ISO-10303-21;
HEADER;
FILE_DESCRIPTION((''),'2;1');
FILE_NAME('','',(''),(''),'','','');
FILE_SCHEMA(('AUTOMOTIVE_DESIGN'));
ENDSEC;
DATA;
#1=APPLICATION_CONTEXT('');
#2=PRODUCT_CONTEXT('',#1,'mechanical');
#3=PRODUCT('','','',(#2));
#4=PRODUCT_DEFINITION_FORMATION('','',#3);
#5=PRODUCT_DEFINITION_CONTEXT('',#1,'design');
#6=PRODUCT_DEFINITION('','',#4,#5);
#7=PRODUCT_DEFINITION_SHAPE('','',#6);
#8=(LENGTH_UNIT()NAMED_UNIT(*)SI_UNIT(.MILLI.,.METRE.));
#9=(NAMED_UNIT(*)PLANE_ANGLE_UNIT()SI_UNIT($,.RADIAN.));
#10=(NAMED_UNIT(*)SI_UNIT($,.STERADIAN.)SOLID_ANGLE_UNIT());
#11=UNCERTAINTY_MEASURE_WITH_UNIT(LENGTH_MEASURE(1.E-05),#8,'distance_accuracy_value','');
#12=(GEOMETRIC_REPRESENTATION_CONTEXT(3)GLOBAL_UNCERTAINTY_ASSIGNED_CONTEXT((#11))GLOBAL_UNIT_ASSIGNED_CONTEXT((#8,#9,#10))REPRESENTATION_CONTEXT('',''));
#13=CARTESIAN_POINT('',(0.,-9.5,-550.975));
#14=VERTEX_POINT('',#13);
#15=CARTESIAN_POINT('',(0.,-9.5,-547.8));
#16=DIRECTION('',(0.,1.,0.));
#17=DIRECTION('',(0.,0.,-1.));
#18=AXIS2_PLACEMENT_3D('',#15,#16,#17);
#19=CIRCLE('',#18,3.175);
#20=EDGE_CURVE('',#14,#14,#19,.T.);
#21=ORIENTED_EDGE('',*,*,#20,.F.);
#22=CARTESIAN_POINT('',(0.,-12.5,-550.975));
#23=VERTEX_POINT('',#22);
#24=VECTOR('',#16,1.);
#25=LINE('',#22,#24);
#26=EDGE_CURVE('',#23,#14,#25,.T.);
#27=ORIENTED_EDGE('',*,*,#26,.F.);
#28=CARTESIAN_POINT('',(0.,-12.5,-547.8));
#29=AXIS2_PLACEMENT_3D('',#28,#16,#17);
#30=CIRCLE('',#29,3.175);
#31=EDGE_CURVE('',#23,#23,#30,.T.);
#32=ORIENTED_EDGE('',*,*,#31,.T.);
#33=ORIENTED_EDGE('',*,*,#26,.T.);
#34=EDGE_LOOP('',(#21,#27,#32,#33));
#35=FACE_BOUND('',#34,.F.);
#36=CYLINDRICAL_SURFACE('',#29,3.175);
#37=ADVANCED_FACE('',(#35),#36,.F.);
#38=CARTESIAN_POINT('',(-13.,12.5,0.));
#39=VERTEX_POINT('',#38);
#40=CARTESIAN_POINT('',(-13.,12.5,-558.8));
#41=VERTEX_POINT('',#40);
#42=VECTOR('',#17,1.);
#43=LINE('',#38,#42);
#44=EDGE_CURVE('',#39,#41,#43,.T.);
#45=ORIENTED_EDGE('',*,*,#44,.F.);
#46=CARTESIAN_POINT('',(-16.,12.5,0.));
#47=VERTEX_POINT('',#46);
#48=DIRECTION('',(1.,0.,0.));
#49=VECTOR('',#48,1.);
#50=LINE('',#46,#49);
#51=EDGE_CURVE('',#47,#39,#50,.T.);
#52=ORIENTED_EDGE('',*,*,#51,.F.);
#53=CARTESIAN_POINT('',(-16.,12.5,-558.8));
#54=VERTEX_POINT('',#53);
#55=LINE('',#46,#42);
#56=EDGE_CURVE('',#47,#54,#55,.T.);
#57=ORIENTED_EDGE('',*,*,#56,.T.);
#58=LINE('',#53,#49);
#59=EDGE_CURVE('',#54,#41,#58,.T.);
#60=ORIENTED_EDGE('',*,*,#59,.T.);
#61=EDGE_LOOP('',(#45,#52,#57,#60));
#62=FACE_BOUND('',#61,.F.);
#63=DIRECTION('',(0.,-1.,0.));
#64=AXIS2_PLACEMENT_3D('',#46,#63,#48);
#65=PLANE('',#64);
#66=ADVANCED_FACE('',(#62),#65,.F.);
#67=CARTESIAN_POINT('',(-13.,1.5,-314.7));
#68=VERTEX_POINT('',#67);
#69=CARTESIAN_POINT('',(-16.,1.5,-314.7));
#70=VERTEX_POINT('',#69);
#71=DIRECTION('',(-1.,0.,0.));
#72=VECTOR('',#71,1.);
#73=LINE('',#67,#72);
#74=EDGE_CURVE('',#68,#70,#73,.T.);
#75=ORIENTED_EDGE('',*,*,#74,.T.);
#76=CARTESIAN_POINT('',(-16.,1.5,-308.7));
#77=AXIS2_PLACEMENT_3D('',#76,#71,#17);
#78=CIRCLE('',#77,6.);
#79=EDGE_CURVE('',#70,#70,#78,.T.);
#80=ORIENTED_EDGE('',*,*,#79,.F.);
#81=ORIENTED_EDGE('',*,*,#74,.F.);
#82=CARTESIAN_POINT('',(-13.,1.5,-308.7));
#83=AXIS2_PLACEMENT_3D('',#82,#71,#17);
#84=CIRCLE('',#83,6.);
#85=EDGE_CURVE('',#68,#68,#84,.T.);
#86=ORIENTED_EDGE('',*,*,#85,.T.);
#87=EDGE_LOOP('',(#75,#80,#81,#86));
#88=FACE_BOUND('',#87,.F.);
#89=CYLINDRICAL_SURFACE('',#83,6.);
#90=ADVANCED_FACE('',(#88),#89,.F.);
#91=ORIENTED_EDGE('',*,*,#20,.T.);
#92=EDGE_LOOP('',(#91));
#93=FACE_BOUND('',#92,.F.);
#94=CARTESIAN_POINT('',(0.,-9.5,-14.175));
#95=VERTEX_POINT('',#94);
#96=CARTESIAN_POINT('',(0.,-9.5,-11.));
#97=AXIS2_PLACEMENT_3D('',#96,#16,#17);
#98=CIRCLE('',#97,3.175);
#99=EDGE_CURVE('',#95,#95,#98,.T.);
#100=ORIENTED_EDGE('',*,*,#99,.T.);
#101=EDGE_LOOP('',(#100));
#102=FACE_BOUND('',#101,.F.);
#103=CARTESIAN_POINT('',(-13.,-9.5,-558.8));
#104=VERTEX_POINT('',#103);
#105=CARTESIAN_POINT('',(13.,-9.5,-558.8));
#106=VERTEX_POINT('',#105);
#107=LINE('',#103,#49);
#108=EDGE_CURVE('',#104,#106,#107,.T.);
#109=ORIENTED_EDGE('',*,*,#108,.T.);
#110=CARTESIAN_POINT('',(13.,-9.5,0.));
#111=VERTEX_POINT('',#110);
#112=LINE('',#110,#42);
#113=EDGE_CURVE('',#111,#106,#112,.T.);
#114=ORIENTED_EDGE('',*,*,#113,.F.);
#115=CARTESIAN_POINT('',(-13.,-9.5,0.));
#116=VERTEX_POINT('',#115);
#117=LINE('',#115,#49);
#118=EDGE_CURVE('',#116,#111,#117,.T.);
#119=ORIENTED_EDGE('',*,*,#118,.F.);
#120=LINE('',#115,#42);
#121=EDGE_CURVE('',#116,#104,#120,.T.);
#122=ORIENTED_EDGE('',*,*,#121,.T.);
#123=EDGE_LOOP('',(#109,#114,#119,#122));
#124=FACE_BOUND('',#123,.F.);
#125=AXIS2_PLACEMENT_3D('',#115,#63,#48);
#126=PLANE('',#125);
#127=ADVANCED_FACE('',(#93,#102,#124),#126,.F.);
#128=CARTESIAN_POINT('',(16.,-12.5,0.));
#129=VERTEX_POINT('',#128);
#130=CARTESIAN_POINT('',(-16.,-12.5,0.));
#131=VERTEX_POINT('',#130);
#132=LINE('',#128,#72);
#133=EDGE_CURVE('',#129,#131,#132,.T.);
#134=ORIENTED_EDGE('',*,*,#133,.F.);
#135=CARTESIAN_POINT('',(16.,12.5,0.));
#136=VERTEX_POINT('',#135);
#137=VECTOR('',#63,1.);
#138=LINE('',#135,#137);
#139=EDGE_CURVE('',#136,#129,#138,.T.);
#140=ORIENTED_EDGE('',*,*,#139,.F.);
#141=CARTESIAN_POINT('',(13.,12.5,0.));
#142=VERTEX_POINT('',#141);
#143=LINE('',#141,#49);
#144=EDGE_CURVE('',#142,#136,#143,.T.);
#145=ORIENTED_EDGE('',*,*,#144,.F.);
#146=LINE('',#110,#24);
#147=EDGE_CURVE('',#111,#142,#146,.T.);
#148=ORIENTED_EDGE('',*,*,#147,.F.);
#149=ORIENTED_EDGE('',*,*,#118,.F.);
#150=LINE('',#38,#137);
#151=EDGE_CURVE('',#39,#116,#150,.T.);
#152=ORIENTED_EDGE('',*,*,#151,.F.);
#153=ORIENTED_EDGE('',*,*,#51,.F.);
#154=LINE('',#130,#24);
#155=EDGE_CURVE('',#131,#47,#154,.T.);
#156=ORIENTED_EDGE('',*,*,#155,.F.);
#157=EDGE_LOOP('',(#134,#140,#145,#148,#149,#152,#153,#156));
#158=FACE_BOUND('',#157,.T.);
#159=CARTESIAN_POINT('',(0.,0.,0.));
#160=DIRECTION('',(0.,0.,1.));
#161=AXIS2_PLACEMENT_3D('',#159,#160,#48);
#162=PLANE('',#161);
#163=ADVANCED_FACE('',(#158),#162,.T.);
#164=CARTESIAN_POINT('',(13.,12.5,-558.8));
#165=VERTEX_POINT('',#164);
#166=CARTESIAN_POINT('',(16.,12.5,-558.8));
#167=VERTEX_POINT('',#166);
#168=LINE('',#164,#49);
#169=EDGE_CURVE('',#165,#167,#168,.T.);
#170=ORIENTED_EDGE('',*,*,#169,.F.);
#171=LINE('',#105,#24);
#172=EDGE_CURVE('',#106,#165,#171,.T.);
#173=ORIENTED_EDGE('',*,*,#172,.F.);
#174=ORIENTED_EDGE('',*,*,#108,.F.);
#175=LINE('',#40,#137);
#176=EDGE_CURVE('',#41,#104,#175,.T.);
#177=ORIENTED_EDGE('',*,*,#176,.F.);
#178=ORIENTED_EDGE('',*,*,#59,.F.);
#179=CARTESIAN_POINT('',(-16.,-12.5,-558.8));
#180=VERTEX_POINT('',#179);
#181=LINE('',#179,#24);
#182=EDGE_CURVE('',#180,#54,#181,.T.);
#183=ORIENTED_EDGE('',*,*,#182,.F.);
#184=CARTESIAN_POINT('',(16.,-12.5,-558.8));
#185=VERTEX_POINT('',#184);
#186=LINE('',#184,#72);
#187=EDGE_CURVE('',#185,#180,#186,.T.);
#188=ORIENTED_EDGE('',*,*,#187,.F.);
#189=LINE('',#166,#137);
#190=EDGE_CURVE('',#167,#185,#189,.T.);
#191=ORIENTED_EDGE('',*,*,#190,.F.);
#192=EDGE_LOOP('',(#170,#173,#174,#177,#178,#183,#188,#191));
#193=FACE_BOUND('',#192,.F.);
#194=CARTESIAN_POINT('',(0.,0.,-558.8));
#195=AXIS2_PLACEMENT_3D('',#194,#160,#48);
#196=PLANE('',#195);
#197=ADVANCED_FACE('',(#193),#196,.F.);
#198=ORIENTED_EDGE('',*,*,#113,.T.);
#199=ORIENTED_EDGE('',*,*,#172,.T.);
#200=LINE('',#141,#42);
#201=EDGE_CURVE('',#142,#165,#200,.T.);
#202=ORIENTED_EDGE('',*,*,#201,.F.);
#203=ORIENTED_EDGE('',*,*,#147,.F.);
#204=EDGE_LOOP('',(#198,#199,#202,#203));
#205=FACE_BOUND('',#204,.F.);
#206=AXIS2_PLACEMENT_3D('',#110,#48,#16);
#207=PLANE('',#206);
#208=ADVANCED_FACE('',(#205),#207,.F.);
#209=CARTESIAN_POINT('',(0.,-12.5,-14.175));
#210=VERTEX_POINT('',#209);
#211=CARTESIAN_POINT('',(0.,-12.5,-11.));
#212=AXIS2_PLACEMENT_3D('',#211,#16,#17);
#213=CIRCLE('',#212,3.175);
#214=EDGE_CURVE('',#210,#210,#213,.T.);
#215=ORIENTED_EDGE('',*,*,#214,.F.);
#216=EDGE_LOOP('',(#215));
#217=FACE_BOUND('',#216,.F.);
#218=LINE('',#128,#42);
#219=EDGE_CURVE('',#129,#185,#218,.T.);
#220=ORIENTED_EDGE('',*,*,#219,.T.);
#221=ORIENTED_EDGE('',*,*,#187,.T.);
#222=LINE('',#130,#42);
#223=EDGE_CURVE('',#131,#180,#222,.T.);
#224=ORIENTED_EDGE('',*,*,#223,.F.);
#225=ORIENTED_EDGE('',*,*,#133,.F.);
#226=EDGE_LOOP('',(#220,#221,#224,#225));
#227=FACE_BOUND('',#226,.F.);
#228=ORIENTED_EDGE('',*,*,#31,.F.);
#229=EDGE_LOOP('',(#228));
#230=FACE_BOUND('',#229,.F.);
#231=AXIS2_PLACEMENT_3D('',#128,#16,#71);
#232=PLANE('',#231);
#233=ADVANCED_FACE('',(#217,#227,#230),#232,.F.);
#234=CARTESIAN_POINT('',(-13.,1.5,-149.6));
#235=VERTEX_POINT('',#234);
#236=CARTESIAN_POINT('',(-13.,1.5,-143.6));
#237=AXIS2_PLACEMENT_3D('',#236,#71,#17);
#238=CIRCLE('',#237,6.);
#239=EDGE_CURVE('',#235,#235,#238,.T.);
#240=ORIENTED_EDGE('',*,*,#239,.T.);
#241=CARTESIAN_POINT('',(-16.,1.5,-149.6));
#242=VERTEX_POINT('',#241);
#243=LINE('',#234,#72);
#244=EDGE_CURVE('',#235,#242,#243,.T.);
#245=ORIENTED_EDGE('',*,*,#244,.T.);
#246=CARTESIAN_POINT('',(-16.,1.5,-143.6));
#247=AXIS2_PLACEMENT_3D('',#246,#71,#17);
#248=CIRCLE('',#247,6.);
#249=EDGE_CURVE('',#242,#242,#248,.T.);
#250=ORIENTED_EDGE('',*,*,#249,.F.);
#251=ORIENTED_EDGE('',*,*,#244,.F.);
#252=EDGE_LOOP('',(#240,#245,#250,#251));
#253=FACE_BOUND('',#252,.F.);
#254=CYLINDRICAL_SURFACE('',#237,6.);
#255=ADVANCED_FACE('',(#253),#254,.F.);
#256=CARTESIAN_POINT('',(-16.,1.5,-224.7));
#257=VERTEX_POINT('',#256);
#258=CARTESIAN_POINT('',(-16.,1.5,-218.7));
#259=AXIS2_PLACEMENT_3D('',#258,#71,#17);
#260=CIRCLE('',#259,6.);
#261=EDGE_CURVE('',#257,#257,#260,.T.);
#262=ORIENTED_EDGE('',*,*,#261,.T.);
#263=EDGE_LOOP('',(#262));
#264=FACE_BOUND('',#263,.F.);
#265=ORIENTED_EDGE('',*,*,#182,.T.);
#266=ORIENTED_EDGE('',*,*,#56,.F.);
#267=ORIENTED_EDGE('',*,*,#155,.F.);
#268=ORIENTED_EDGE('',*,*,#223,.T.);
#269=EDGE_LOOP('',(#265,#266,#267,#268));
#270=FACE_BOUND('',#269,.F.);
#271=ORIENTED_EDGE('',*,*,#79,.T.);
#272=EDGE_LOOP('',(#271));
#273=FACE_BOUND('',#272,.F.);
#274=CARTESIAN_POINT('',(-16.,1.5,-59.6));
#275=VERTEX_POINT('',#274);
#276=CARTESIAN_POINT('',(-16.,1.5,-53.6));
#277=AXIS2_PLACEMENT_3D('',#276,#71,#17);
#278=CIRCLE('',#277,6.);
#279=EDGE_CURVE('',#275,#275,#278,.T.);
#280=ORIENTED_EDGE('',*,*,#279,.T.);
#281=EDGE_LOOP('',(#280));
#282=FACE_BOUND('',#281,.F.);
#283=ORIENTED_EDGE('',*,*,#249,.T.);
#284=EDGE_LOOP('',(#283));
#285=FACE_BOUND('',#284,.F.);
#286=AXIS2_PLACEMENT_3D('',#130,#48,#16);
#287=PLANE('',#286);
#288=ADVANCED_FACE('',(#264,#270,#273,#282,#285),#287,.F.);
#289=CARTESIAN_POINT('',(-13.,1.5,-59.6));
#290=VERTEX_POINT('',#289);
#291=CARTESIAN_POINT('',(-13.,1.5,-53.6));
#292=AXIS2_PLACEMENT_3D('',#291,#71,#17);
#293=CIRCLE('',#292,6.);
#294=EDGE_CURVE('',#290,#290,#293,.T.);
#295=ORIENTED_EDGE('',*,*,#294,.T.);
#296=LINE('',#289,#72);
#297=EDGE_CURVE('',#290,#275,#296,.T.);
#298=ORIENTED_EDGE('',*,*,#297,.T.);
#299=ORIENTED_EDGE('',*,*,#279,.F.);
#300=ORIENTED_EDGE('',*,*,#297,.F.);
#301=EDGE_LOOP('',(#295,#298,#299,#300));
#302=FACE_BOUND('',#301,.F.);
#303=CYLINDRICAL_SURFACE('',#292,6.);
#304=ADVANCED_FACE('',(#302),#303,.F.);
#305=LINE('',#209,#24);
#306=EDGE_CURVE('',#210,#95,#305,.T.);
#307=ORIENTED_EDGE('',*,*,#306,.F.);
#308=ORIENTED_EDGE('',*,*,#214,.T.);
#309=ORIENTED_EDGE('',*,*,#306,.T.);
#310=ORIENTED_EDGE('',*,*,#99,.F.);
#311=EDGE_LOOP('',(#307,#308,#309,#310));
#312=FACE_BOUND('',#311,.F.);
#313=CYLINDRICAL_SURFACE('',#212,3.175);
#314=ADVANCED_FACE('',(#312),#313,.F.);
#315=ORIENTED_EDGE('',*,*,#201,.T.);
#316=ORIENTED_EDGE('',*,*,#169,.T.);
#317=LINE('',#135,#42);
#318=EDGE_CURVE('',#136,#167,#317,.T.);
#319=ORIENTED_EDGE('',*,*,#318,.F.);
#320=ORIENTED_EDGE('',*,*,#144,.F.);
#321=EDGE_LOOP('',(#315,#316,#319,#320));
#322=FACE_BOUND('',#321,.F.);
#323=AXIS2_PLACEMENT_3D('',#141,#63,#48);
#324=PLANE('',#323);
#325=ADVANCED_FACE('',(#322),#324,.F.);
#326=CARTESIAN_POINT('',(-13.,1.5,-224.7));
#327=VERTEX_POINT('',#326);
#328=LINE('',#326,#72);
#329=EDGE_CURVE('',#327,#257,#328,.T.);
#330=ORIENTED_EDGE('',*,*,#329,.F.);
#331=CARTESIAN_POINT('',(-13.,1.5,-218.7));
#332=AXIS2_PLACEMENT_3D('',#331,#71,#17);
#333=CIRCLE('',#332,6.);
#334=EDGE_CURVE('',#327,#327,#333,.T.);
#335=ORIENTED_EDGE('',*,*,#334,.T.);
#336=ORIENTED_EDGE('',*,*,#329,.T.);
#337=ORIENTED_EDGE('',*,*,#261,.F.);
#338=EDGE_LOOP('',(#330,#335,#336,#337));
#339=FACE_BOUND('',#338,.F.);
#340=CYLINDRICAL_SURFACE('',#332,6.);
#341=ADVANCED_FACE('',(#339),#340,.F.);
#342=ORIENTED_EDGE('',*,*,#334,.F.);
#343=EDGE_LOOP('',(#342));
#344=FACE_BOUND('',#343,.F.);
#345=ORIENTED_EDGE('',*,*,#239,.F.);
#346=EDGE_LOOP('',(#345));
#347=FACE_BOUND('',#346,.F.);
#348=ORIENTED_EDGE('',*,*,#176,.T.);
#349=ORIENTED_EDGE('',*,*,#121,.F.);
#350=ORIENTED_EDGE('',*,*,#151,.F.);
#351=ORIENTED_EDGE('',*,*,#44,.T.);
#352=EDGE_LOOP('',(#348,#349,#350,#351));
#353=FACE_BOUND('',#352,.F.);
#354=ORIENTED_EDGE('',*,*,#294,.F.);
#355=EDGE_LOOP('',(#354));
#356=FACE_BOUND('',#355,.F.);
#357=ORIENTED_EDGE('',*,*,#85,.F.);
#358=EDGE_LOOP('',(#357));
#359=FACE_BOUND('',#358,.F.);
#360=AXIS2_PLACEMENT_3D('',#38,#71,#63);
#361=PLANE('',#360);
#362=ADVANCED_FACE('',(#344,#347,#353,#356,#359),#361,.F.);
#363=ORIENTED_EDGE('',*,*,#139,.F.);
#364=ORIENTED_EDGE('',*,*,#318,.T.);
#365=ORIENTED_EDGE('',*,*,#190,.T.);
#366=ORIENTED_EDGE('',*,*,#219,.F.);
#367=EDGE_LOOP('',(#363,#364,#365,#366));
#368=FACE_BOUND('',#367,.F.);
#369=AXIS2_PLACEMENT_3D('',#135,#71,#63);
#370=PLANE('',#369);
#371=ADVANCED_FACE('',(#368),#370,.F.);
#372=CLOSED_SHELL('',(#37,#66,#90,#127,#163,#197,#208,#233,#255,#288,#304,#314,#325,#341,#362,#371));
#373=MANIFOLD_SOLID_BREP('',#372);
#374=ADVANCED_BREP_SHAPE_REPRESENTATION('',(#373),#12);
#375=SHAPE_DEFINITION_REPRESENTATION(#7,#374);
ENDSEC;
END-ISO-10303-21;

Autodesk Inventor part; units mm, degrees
ref_plane "YZ Plane" through (0, 0, 0) normal (1, 0, 0) x (0, 1, 0)
ref_plane "XZ Plane" through (0, 0, 0) normal (0, 1, 0) x (-1, 0, 0)
ref_plane "XY Plane" through (0, 0, 0) normal (0, 0, 1) x (1, 0, 0)
sketch "Sketch1" plane through (0, 0, 0) normal (0, 0, 1) x (1, 0, 0)
  line L0 (-16, 12.5) -> (-13, 12.5)
  line L1 (-13, 12.5) -> (-13, -9.5)
  line L2 (-13, -9.5) -> (13, -9.5)
  line L3 (13, -9.5) -> (13, 12.5)
  line L4 (13, 12.5) -> (16, 12.5)
  line L5 (16, 12.5) -> (16, -12.5)
  line L6 (16, -12.5) -> (-16, -12.5)
  line L7 (-16, -12.5) -> (-16, 12.5)
  point P0 (0, 0)
  dimension "d0" = 3
  dimension "d2" = 3
  dimension "d3" = 25
  dimension "d4" = 32
  dimension "d5" = 16
  dimension "d7" = 12.5
  dimension "d8" = 3
  dimension "d74" = 25
extrude "Extrusion1" add sketch "Sketch1" against normal blind 558.8
sketch "Sketch8" plane through (-16, -12.5, 0) normal (0, -1, 0) x (1, 0, 0)
  line L0 (32, -558.8) -> (0, -558.8) projected
  line L1 (32, 0) -> (32, -558.8) projected
  circle A0 centre (16, -547.8) radius 3.175
  line L2 (32, 0) -> (0, 0) projected
  circle A1 centre (16, -11) radius 3.175
  point P0 (16, 0)
  dimension "d114" = 6.35
  dimension "d116" = 16
  dimension "d117" = 11
  dimension "d125" = 6.35
  dimension "d126" = 11
hole "Hole5" at (0, -12.5, -547.8) at (0, -12.5, -11) direction (0, 1, 0) diameter 6.35 end through all
sketch "Sketch9" plane through (-13, -9.5, 0) normal (1, 0, 0) x (0, 0, -1)
  line L0 (0, 0) -> (558.8, 0) projected
  line L1 (0, 22) -> (558.8, 22) projected
  line L2 (-3, -6) -> (-3, 26) construction
  line L3 (98.6, 0) -> (98.6, 22) construction
  circle A0 centre (143.6, 11) radius 6
  circle A1 centre (53.6, 11) radius 6
  line L4 (263.7, 0) -> (263.7, 22) construction
  circle A2 centre (218.7, 11) radius 6
  circle A3 centre (308.7, 11) radius 6
  point P0 (0, 9.5)
  dimension "d127" = 101.6
  dimension "d128" = 12
  dimension "d129" = 12
  dimension "d130" = 11
  dimension "d132" = 90
  dimension "d133" = 45
  dimension "d134" = 165.1
  dimension "d135" = 12
  dimension "d136" = 12
  dimension "d137" = 90
  dimension "d138" = 45
hole "Hole6" at (-13, 1.5, -308.7) at (-13, 1.5, -218.7) at (-13, 1.5, -143.6) at (-13, 1.5, -53.6) direction (-1, 0, 0) diameter 12 depth 3 tip angle 118
equation "\"d2\" = d0"
equation "\"d5\" = 0.5 * d4"
equation "\"d7\" = 0.5 * d3"
equation "\"d8\" = d0"
equation "\"d74\" = d3"
equation "\"d126\" = d117"
equation "\"d133\" = 0.5 * d132"
equation "\"d137\" = d132"
equation "\"d138\" = d133"
properties part number "26in C-Channel Right" material "Aluminum 6061"
